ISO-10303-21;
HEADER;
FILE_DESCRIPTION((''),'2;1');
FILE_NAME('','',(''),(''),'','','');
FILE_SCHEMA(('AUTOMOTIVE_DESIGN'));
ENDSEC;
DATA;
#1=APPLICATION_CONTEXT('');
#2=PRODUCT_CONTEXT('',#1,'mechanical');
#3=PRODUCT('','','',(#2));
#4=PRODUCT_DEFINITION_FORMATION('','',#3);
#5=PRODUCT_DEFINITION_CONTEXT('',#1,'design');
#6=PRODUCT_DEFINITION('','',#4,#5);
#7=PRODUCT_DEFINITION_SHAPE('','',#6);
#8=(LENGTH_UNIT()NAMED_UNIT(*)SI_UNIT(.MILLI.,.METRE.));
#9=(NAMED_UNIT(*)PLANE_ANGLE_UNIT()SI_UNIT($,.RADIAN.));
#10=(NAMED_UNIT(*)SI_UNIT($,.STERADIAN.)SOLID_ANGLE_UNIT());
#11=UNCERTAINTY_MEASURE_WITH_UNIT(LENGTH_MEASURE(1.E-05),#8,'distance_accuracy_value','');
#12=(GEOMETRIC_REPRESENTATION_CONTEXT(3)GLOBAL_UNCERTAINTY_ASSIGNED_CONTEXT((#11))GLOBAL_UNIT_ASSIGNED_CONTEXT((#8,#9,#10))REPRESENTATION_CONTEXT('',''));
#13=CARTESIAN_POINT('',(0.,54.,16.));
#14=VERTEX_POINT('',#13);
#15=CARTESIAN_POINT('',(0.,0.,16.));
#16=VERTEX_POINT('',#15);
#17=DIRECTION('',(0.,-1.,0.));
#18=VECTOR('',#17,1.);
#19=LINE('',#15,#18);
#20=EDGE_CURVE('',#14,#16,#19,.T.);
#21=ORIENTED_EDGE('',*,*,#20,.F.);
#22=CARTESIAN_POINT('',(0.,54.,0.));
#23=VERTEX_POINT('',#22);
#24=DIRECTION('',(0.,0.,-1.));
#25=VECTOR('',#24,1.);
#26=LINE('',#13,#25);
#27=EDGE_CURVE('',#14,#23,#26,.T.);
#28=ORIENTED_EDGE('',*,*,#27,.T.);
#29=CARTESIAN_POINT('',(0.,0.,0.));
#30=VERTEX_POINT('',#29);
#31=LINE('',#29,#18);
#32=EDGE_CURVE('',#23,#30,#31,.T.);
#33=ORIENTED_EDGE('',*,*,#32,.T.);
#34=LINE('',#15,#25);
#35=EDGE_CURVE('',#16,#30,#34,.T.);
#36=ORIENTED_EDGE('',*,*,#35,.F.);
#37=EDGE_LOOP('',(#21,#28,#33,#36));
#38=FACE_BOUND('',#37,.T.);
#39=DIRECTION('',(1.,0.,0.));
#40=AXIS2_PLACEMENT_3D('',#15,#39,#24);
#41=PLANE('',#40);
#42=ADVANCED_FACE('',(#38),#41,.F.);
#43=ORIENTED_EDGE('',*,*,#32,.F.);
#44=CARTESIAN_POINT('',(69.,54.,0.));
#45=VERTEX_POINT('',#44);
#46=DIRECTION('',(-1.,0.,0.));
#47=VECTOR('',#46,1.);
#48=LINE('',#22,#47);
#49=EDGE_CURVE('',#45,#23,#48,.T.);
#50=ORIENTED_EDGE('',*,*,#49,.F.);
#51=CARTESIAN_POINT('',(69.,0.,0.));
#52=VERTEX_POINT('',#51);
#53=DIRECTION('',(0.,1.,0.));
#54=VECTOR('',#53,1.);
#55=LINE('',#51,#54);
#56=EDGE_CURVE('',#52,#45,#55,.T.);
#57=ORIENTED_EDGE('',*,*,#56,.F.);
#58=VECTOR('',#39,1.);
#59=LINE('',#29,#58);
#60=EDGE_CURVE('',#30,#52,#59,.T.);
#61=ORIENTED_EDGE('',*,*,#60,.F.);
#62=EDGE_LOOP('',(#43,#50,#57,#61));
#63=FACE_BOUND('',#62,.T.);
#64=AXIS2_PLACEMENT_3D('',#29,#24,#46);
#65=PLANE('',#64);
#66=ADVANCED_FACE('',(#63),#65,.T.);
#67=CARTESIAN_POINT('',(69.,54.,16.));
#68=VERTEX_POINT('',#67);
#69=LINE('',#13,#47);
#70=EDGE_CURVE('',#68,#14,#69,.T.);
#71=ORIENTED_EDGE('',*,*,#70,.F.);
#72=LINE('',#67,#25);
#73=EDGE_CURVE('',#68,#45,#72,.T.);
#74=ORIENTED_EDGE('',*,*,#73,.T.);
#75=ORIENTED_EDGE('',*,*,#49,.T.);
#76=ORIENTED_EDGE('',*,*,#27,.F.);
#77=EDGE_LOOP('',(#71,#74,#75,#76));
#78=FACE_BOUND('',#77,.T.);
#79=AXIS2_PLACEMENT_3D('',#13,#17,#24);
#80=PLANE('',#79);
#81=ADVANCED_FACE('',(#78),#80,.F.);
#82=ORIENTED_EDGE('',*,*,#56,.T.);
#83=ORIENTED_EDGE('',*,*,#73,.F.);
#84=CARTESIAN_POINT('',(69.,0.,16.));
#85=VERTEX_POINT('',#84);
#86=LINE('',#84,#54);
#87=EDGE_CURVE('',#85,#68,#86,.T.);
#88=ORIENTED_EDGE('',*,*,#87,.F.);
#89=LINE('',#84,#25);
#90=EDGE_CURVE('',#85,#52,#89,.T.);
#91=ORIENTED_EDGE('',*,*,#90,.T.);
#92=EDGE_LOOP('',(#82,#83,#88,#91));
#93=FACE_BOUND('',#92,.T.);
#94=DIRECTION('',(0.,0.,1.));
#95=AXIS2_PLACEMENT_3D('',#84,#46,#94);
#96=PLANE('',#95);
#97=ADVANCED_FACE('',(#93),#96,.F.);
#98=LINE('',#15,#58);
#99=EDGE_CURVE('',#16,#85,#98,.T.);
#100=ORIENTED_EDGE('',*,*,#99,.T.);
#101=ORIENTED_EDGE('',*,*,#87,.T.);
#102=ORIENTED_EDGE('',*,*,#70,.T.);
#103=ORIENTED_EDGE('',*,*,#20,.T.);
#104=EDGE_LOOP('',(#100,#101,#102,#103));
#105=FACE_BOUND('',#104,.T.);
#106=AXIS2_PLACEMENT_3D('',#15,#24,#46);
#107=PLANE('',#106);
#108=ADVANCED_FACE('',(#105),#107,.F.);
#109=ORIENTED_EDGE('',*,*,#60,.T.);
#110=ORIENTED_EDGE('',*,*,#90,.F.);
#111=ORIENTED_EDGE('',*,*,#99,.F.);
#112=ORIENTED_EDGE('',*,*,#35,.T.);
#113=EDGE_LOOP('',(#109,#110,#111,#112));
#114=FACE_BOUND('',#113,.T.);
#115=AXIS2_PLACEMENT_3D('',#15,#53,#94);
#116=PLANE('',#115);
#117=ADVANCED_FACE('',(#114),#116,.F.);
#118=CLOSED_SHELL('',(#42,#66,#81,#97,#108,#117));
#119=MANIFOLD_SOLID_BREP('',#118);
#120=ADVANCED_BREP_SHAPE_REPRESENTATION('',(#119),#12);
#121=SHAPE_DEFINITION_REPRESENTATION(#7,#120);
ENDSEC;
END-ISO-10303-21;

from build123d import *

# Parameters (mm, degrees)
SKETCH1_W     = 69
SKETCH1_H     = 54
PROFILE_DEPTH = 16


with BuildPart() as part:
    # Sketch1 → Profile (new body)
    with BuildSketch(Plane.XY):
        with Locations((34.5, 27)):
            Rectangle(SKETCH1_W, SKETCH1_H)
    extrude(amount=PROFILE_DEPTH)


solid = part.part
